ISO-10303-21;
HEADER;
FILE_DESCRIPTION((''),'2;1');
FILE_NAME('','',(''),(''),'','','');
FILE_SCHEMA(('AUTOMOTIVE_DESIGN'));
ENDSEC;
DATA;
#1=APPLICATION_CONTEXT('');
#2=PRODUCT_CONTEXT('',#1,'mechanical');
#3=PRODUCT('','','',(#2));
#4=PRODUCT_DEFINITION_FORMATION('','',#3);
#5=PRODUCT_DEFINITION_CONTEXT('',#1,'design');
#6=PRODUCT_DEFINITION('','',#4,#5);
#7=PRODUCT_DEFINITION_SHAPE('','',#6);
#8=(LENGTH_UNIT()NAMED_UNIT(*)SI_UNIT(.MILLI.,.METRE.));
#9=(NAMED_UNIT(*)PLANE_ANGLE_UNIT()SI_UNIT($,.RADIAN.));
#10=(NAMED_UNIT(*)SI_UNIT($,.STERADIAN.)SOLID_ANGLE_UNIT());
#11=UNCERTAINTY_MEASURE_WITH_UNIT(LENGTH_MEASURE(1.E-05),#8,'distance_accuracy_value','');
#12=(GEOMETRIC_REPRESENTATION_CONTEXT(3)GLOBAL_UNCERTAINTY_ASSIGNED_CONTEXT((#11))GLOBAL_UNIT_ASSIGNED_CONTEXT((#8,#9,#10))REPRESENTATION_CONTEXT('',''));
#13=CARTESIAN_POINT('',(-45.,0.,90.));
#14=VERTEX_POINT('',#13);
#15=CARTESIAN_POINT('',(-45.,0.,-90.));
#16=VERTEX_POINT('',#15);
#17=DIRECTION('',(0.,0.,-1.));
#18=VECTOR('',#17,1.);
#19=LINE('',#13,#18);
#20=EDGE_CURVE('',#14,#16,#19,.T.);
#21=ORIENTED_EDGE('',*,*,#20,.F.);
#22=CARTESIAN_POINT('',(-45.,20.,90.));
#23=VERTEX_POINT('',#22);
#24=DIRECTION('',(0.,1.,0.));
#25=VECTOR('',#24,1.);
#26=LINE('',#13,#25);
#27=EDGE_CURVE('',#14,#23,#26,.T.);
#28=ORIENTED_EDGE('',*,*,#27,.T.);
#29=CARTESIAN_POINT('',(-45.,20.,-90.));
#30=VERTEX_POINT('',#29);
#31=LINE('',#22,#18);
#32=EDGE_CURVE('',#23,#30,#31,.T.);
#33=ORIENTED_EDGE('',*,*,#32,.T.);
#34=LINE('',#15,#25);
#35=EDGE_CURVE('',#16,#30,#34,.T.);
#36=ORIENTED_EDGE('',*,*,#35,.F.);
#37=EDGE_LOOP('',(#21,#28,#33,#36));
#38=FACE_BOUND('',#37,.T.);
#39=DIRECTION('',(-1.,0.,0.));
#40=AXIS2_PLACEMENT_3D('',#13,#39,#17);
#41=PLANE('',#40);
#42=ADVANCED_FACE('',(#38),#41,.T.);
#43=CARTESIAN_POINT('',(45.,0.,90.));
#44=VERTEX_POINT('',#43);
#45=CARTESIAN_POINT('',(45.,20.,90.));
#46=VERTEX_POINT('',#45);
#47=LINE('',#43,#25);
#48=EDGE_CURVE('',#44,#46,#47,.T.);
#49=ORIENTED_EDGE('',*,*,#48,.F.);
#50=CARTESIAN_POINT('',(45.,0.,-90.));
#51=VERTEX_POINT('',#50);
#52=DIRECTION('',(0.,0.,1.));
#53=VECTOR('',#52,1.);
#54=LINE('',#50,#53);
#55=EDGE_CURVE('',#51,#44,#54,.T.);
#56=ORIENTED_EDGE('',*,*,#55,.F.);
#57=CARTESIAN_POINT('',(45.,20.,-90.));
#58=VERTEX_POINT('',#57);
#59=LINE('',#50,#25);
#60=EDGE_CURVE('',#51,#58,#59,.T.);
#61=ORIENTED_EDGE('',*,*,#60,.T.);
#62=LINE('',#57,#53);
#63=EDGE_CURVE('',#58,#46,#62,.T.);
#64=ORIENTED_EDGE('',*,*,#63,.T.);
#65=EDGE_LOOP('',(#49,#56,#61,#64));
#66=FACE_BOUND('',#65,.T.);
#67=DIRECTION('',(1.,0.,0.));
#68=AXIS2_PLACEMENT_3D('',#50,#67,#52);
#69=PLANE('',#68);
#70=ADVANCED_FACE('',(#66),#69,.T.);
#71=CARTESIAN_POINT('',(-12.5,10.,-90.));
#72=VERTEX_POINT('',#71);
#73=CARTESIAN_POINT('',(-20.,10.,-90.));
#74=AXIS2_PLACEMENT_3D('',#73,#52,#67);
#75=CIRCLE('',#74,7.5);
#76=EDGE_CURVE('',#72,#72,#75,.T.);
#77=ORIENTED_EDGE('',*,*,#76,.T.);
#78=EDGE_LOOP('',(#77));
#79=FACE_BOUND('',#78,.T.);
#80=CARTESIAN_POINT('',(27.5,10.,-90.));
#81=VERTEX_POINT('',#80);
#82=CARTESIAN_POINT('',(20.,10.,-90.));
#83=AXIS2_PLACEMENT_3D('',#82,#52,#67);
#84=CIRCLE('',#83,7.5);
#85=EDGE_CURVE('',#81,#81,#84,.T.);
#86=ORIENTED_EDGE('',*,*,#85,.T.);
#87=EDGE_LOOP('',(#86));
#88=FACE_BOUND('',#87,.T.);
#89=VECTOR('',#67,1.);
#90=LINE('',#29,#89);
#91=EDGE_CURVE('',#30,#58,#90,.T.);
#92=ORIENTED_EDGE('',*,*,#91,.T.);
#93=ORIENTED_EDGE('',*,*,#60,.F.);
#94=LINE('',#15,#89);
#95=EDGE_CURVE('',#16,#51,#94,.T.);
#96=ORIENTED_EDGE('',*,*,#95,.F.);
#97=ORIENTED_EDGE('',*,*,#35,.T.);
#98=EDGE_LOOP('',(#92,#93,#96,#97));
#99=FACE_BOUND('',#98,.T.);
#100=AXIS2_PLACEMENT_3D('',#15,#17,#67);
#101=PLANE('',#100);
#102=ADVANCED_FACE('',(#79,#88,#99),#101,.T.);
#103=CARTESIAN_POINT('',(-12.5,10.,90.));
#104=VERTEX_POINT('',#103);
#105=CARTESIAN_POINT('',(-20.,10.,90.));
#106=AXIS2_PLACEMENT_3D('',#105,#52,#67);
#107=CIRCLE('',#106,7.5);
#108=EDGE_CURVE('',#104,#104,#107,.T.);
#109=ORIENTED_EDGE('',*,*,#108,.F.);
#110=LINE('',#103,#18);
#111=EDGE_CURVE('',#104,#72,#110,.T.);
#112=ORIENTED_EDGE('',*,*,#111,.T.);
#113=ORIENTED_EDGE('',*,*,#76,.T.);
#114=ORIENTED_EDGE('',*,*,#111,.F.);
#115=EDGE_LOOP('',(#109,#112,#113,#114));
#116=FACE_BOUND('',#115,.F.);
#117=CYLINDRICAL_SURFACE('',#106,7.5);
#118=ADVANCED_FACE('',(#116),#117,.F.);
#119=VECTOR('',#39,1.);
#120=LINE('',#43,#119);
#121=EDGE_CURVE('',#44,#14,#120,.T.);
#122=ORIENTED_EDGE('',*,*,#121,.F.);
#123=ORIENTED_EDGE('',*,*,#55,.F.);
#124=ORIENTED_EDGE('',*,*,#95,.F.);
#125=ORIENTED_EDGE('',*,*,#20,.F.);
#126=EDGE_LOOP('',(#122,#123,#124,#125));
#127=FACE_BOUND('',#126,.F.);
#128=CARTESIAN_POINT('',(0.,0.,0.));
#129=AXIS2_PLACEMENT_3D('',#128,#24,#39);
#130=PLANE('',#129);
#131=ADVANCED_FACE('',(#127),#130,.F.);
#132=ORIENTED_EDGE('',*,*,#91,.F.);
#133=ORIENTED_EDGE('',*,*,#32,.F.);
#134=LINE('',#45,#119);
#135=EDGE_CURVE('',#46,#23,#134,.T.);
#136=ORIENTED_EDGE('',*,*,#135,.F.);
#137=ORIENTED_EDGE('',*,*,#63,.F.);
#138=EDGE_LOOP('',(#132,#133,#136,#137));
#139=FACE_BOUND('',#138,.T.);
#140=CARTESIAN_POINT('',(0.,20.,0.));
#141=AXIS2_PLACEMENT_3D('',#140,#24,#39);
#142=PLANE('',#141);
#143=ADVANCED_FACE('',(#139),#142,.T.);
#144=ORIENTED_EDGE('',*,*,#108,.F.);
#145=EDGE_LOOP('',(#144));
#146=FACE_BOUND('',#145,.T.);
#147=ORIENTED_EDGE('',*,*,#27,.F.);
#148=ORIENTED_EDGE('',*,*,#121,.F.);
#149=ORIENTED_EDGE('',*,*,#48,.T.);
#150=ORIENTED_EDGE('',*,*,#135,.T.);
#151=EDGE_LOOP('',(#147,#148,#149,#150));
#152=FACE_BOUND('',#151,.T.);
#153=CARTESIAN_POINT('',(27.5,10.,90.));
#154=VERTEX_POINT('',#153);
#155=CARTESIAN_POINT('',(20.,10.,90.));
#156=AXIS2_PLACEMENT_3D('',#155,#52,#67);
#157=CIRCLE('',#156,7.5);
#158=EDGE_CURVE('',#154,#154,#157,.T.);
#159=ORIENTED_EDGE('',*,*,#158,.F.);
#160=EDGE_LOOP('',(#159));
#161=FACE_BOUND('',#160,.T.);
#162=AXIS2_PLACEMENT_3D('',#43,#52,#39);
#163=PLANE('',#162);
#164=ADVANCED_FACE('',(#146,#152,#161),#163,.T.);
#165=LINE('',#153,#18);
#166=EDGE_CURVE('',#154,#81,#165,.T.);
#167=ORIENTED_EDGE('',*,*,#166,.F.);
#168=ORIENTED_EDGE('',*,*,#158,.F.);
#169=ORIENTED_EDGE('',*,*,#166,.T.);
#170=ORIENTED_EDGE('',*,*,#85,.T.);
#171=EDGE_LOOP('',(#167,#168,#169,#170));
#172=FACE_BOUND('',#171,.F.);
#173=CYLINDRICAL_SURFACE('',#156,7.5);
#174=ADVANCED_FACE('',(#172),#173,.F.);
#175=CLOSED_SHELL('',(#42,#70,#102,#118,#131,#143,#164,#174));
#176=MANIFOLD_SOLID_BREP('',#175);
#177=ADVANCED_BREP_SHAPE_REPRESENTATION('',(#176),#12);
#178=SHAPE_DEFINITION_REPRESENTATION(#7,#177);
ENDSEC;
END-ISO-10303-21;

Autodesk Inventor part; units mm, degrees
ref_plane "YZ Plane" through (0, 0, 0) normal (1, 0, 0) x (0, 1, 0)
ref_plane "XZ Plane" through (0, 0, 0) normal (0, 1, 0) x (-1, 0, 0)
ref_plane "XY Plane" through (0, 0, 0) normal (0, 0, 1) x (1, 0, 0)
sketch "Sketch1" plane through (0, 0, 0) normal (0, 1, 0) x (-1, 0, 0)
  line L0 (-45, 90) -> (45, 90)
  line L1 (45, 90) -> (45, -90)
  line L2 (45, -90) -> (-45, -90)
  line L3 (-45, -90) -> (-45, 90)
  line L4 (-45, 90) -> (45, -90) construction
  line L5 (45, 90) -> (-45, -90) construction
  point P0 (0, 0)
  dimension "d0" = 180
  dimension "d1" = 90
extrude "Extrusion1" add sketch "Sketch1" along normal blind 20
sketch "Sketch2" plane through (-45, 0, 90) normal (0, 0, 1) x (1, 0, 0)
  circle A0 centre (65, 10) radius 7.5
  circle A1 centre (25, 10) radius 7.5
  point P0 (45, 0)
  dimension "d4" = 20
  dimension "d5" = 20
  dimension "d6" = 10
  dimension "d7" = 10
  dimension "d8" = 15
  dimension "d9" = 15
extrude "Extrusion2" cut sketch "Sketch2" against normal through all
properties part number "Motor Platform"
